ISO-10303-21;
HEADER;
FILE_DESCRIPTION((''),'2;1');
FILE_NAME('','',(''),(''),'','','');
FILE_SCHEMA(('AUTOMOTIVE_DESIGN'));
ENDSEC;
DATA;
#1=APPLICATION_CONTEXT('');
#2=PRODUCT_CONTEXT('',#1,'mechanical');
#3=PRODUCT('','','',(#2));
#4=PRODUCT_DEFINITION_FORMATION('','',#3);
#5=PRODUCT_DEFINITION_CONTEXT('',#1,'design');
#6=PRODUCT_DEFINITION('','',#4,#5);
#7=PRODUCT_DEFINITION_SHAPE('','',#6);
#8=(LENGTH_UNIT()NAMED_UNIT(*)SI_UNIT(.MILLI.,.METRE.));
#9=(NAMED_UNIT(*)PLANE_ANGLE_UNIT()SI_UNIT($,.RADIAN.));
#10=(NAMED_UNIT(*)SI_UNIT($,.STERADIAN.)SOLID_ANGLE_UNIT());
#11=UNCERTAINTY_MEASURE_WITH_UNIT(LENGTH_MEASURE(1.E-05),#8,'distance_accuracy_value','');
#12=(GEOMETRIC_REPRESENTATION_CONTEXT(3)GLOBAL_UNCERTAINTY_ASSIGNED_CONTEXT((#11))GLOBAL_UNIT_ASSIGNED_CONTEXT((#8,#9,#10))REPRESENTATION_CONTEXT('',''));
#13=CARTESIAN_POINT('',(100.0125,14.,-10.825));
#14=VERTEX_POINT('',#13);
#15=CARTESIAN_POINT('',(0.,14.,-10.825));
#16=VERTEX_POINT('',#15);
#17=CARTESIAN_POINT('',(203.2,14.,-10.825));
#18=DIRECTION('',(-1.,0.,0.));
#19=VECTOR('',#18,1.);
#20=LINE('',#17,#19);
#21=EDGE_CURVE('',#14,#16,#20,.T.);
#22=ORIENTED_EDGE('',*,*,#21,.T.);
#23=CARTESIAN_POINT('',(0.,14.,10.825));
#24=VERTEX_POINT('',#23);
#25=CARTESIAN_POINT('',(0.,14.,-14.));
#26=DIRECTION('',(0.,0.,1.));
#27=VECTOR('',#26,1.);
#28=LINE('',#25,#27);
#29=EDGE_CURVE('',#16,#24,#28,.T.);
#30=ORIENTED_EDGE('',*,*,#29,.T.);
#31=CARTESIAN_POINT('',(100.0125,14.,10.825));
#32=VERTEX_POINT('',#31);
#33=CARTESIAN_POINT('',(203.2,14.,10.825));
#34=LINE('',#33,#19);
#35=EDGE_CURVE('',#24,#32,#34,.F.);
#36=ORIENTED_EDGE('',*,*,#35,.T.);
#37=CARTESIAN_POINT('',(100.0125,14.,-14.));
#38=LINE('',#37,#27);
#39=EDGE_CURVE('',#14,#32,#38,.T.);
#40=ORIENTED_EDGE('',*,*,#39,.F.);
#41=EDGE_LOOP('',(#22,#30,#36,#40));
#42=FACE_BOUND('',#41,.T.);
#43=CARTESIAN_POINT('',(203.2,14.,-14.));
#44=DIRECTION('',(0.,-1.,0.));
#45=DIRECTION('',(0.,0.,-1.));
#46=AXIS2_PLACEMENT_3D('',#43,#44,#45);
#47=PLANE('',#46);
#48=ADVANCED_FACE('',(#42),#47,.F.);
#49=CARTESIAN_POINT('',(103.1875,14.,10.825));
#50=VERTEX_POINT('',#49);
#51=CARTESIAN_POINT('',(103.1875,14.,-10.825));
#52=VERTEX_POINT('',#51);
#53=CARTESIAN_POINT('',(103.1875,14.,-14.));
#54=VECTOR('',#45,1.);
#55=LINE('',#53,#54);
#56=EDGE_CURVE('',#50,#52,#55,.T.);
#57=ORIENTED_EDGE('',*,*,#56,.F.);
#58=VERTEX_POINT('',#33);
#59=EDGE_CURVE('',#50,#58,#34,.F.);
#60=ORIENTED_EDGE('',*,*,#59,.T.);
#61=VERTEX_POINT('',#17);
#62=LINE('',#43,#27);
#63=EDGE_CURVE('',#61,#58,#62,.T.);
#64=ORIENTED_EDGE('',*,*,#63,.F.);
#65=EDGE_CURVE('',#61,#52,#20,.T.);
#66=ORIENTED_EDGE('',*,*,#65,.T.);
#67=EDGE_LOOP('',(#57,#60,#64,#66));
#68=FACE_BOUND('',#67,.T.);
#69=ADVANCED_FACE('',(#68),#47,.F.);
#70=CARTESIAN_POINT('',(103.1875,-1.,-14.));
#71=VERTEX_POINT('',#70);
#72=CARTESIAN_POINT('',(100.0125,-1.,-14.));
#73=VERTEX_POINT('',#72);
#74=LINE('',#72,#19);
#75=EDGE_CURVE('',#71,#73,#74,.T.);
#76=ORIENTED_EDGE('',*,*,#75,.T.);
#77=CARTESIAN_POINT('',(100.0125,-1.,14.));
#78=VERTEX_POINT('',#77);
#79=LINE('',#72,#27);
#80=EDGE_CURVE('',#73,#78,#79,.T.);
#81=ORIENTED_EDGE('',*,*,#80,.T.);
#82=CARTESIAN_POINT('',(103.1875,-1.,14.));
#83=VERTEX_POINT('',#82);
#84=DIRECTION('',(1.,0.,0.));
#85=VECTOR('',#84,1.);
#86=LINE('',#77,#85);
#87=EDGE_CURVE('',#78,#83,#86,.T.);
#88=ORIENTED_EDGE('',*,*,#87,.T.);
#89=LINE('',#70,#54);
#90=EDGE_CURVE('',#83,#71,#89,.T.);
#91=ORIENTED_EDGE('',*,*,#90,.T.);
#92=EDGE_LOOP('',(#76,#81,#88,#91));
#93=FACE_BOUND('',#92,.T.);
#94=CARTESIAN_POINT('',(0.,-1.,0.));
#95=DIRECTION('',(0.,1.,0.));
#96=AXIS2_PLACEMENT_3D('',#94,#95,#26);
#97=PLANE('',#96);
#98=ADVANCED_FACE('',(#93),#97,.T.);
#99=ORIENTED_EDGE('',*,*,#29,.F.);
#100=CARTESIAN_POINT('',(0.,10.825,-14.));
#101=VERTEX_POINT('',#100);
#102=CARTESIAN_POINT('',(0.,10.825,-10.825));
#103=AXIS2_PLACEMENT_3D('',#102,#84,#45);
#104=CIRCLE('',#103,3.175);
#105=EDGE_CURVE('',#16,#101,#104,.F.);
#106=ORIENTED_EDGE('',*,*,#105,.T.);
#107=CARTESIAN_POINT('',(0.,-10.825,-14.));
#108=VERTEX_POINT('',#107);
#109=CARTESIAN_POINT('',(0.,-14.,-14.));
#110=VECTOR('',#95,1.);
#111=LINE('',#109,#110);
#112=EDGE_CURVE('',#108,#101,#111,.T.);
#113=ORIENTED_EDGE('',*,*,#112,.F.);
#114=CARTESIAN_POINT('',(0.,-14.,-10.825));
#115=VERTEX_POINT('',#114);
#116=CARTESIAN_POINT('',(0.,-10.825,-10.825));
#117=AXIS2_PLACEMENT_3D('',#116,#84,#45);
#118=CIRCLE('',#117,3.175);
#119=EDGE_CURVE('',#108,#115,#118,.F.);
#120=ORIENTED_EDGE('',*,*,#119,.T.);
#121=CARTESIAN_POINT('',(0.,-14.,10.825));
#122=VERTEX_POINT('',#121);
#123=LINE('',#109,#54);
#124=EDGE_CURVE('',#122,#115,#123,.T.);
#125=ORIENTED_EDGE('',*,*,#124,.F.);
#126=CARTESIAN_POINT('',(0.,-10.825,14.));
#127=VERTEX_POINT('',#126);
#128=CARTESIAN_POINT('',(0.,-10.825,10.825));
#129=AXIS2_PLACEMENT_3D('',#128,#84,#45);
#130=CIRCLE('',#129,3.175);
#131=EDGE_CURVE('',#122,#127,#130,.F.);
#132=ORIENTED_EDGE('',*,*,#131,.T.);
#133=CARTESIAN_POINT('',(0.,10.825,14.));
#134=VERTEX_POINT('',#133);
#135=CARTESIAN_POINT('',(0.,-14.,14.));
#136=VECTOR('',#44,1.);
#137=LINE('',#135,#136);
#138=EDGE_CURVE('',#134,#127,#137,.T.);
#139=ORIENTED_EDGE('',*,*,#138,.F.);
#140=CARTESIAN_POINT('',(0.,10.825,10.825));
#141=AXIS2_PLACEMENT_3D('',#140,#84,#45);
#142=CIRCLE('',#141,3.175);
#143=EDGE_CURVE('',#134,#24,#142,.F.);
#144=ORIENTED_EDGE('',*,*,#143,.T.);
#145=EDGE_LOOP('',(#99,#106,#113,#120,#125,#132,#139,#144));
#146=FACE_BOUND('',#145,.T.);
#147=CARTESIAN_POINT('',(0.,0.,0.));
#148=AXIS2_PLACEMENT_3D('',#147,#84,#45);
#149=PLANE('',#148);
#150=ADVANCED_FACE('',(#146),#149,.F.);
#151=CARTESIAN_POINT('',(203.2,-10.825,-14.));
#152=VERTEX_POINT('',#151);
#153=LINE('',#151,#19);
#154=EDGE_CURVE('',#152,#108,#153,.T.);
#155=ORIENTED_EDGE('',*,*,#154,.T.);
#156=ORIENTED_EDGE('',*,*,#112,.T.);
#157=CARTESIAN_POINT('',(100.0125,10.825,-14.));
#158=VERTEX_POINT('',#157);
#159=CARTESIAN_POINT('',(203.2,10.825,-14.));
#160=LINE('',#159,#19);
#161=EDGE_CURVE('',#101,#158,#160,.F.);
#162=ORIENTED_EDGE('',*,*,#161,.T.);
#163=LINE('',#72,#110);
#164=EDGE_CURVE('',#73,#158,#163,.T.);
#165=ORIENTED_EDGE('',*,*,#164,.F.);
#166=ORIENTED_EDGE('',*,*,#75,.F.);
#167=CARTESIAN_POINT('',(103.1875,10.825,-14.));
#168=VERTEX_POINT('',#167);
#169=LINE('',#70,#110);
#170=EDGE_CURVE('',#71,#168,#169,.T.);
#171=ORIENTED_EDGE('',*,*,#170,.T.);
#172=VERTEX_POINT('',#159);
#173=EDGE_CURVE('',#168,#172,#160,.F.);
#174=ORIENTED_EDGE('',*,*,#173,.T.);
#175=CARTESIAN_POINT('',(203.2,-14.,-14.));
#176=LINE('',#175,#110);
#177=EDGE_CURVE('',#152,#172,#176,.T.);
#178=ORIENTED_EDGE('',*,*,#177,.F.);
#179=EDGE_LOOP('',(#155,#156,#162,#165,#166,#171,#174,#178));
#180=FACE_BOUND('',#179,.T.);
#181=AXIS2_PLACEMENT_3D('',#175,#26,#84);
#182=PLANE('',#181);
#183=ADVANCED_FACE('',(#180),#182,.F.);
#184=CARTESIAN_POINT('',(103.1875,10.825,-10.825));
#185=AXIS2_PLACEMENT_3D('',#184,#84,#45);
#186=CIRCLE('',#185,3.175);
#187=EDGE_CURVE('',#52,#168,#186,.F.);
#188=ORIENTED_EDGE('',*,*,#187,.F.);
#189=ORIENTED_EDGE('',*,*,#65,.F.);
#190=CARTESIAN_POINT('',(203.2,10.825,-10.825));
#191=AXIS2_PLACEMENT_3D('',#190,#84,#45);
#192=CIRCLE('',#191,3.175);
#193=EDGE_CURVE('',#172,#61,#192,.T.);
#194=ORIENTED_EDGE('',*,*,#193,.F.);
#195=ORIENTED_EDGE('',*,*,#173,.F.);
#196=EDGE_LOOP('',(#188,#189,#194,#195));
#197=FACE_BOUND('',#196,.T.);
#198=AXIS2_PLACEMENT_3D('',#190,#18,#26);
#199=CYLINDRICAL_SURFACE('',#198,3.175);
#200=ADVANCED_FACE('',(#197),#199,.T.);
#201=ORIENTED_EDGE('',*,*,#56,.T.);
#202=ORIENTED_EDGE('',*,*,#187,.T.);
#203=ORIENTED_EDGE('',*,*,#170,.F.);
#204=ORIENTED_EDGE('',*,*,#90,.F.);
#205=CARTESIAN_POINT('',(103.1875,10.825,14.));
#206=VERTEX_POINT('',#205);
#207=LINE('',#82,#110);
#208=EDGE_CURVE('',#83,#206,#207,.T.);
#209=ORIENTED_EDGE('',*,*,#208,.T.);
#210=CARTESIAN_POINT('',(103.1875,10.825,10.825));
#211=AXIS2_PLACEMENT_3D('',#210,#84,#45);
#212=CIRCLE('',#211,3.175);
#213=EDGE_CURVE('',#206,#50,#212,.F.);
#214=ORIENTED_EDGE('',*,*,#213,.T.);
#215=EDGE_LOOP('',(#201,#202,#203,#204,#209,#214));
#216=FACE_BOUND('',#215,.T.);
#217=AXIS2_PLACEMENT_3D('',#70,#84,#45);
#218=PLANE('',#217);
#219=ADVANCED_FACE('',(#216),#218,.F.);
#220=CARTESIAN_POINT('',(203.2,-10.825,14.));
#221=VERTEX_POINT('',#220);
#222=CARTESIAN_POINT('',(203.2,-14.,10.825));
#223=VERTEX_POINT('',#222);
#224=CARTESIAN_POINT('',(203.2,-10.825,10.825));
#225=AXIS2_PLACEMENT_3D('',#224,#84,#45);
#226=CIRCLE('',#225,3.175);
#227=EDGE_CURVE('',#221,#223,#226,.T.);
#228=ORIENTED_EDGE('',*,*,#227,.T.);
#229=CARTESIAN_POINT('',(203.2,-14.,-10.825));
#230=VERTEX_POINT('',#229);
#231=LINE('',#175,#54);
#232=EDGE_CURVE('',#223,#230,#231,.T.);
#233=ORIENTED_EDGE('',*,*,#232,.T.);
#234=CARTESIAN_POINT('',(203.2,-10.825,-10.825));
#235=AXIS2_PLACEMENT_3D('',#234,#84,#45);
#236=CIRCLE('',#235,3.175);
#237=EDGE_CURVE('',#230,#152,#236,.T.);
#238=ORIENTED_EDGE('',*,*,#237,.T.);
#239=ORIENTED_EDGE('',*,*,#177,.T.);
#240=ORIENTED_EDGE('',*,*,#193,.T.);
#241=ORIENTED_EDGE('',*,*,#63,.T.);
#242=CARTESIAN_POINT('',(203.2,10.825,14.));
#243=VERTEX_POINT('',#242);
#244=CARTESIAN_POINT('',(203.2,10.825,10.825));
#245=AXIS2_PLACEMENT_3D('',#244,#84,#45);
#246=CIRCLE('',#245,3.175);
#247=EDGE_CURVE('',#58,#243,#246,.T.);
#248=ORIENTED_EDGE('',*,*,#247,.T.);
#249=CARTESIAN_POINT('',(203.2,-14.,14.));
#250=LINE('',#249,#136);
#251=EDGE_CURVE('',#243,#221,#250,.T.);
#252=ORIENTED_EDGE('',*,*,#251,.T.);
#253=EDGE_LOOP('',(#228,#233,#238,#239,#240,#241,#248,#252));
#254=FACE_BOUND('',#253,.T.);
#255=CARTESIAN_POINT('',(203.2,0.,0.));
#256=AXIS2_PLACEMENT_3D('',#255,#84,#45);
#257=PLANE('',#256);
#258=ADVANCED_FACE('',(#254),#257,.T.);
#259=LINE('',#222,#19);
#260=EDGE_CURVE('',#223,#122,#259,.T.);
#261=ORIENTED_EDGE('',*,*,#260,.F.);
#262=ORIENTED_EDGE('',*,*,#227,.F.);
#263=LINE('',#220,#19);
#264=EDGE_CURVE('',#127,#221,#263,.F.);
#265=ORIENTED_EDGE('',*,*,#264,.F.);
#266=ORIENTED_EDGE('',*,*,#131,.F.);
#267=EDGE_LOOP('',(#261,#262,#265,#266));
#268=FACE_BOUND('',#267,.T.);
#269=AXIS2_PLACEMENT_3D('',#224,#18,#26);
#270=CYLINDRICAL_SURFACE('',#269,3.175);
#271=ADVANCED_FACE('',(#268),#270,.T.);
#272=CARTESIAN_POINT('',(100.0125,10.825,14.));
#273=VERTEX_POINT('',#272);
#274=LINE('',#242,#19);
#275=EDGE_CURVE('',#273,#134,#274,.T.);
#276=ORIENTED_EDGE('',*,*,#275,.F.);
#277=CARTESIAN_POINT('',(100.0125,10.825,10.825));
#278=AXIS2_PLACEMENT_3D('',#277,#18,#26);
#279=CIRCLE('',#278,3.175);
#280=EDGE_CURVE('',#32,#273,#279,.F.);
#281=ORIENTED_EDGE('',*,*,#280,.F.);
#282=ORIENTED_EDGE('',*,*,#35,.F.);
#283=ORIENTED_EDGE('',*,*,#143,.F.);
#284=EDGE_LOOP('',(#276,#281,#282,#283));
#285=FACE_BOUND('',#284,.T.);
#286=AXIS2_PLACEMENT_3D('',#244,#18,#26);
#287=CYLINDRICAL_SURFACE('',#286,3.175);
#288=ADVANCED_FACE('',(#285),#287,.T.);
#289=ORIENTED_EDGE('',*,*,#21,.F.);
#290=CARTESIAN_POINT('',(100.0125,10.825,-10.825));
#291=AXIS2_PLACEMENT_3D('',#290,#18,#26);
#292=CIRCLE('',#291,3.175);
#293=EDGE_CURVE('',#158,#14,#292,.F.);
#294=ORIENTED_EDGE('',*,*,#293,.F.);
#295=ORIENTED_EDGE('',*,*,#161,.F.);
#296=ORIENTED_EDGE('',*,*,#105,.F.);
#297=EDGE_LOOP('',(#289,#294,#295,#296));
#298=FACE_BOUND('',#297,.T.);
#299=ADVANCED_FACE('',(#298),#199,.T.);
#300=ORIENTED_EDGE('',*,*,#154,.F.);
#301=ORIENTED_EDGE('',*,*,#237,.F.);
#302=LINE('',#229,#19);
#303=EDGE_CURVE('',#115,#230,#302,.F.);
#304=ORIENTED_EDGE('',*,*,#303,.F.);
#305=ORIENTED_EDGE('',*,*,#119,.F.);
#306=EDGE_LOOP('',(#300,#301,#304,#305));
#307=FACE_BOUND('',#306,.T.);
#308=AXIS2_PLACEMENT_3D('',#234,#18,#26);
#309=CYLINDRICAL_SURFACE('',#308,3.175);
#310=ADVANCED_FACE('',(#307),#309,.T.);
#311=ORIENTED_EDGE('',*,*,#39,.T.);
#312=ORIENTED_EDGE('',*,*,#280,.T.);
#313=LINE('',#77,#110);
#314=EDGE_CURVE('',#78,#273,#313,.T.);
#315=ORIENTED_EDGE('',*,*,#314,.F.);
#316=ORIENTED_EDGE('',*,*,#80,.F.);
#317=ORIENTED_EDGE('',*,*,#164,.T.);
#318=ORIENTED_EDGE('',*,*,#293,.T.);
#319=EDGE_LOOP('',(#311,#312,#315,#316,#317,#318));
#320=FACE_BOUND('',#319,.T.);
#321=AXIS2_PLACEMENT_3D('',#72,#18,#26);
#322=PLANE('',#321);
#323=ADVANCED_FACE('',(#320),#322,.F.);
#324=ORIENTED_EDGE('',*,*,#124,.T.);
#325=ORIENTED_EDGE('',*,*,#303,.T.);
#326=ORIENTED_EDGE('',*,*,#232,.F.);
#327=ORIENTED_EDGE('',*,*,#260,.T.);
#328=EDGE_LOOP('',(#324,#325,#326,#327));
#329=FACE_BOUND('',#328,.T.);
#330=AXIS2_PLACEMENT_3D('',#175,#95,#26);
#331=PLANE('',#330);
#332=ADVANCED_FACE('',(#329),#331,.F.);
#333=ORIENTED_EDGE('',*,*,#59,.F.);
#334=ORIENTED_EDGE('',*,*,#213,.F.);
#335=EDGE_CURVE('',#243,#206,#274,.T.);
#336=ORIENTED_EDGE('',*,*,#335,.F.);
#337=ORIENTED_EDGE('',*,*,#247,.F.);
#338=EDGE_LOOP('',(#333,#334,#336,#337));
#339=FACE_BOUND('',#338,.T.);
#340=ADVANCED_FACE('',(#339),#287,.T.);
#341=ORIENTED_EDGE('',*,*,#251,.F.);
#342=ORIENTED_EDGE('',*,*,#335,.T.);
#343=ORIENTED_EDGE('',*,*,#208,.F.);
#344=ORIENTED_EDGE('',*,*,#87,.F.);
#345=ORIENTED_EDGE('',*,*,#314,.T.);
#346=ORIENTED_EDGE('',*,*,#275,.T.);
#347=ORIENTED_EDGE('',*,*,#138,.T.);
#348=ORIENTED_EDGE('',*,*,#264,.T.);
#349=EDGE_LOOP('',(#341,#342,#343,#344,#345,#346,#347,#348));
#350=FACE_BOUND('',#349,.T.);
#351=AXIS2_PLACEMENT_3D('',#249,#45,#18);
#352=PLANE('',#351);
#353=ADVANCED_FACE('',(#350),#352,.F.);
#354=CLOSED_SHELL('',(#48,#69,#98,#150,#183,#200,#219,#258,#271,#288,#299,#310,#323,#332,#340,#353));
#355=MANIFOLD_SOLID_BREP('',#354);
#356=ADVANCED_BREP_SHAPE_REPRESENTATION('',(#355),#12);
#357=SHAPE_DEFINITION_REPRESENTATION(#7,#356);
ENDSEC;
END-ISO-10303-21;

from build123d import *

# Parameters (mm, degrees)
SKETCH1_W           = 28
SKETCH1_H           = 28
BOSS_EXTRUDE1_DEPTH = 203.2
SKETCH2_W           = 3.175
SKETCH2_H           = 28
CUT_EXTRUDE1_DEPTH  = 15
FILLET1_R           = 3.175


with BuildPart() as part:
    # Sketch1 → Boss-Extrude1 (new body)
    with BuildSketch(Plane(origin=(0, 0, 0), x_dir=(0, 0, -1), z_dir=(1, 0, 0))):
        Rectangle(SKETCH1_W, SKETCH1_H)
    extrude(amount=BOSS_EXTRUDE1_DEPTH)

    # Sketch2 → Cut-Extrude1 (cut)
    with BuildSketch(Plane(origin=(0, 14, 0), x_dir=(1, 0, 0), z_dir=(0, 1, 0))):
        with Locations((101.6, 0)):
            Rectangle(SKETCH2_W, SKETCH2_H)
    extrude(amount=-CUT_EXTRUDE1_DEPTH, mode=Mode.SUBTRACT)

    # Fillet1
    fillet1_edges = [part.edges().sort_by_distance(p)[0] for p in [
        (50.00625, 14, 14),
        (50.00625, 14, -14),
        (153.19375, 14, 14),
        (153.19375, 14, -14),
        (101.6, -14, -14),
        (101.6, -14, 14),
    ]]
    fillet(fillet1_edges, radius=FILLET1_R)


solid = part.part
